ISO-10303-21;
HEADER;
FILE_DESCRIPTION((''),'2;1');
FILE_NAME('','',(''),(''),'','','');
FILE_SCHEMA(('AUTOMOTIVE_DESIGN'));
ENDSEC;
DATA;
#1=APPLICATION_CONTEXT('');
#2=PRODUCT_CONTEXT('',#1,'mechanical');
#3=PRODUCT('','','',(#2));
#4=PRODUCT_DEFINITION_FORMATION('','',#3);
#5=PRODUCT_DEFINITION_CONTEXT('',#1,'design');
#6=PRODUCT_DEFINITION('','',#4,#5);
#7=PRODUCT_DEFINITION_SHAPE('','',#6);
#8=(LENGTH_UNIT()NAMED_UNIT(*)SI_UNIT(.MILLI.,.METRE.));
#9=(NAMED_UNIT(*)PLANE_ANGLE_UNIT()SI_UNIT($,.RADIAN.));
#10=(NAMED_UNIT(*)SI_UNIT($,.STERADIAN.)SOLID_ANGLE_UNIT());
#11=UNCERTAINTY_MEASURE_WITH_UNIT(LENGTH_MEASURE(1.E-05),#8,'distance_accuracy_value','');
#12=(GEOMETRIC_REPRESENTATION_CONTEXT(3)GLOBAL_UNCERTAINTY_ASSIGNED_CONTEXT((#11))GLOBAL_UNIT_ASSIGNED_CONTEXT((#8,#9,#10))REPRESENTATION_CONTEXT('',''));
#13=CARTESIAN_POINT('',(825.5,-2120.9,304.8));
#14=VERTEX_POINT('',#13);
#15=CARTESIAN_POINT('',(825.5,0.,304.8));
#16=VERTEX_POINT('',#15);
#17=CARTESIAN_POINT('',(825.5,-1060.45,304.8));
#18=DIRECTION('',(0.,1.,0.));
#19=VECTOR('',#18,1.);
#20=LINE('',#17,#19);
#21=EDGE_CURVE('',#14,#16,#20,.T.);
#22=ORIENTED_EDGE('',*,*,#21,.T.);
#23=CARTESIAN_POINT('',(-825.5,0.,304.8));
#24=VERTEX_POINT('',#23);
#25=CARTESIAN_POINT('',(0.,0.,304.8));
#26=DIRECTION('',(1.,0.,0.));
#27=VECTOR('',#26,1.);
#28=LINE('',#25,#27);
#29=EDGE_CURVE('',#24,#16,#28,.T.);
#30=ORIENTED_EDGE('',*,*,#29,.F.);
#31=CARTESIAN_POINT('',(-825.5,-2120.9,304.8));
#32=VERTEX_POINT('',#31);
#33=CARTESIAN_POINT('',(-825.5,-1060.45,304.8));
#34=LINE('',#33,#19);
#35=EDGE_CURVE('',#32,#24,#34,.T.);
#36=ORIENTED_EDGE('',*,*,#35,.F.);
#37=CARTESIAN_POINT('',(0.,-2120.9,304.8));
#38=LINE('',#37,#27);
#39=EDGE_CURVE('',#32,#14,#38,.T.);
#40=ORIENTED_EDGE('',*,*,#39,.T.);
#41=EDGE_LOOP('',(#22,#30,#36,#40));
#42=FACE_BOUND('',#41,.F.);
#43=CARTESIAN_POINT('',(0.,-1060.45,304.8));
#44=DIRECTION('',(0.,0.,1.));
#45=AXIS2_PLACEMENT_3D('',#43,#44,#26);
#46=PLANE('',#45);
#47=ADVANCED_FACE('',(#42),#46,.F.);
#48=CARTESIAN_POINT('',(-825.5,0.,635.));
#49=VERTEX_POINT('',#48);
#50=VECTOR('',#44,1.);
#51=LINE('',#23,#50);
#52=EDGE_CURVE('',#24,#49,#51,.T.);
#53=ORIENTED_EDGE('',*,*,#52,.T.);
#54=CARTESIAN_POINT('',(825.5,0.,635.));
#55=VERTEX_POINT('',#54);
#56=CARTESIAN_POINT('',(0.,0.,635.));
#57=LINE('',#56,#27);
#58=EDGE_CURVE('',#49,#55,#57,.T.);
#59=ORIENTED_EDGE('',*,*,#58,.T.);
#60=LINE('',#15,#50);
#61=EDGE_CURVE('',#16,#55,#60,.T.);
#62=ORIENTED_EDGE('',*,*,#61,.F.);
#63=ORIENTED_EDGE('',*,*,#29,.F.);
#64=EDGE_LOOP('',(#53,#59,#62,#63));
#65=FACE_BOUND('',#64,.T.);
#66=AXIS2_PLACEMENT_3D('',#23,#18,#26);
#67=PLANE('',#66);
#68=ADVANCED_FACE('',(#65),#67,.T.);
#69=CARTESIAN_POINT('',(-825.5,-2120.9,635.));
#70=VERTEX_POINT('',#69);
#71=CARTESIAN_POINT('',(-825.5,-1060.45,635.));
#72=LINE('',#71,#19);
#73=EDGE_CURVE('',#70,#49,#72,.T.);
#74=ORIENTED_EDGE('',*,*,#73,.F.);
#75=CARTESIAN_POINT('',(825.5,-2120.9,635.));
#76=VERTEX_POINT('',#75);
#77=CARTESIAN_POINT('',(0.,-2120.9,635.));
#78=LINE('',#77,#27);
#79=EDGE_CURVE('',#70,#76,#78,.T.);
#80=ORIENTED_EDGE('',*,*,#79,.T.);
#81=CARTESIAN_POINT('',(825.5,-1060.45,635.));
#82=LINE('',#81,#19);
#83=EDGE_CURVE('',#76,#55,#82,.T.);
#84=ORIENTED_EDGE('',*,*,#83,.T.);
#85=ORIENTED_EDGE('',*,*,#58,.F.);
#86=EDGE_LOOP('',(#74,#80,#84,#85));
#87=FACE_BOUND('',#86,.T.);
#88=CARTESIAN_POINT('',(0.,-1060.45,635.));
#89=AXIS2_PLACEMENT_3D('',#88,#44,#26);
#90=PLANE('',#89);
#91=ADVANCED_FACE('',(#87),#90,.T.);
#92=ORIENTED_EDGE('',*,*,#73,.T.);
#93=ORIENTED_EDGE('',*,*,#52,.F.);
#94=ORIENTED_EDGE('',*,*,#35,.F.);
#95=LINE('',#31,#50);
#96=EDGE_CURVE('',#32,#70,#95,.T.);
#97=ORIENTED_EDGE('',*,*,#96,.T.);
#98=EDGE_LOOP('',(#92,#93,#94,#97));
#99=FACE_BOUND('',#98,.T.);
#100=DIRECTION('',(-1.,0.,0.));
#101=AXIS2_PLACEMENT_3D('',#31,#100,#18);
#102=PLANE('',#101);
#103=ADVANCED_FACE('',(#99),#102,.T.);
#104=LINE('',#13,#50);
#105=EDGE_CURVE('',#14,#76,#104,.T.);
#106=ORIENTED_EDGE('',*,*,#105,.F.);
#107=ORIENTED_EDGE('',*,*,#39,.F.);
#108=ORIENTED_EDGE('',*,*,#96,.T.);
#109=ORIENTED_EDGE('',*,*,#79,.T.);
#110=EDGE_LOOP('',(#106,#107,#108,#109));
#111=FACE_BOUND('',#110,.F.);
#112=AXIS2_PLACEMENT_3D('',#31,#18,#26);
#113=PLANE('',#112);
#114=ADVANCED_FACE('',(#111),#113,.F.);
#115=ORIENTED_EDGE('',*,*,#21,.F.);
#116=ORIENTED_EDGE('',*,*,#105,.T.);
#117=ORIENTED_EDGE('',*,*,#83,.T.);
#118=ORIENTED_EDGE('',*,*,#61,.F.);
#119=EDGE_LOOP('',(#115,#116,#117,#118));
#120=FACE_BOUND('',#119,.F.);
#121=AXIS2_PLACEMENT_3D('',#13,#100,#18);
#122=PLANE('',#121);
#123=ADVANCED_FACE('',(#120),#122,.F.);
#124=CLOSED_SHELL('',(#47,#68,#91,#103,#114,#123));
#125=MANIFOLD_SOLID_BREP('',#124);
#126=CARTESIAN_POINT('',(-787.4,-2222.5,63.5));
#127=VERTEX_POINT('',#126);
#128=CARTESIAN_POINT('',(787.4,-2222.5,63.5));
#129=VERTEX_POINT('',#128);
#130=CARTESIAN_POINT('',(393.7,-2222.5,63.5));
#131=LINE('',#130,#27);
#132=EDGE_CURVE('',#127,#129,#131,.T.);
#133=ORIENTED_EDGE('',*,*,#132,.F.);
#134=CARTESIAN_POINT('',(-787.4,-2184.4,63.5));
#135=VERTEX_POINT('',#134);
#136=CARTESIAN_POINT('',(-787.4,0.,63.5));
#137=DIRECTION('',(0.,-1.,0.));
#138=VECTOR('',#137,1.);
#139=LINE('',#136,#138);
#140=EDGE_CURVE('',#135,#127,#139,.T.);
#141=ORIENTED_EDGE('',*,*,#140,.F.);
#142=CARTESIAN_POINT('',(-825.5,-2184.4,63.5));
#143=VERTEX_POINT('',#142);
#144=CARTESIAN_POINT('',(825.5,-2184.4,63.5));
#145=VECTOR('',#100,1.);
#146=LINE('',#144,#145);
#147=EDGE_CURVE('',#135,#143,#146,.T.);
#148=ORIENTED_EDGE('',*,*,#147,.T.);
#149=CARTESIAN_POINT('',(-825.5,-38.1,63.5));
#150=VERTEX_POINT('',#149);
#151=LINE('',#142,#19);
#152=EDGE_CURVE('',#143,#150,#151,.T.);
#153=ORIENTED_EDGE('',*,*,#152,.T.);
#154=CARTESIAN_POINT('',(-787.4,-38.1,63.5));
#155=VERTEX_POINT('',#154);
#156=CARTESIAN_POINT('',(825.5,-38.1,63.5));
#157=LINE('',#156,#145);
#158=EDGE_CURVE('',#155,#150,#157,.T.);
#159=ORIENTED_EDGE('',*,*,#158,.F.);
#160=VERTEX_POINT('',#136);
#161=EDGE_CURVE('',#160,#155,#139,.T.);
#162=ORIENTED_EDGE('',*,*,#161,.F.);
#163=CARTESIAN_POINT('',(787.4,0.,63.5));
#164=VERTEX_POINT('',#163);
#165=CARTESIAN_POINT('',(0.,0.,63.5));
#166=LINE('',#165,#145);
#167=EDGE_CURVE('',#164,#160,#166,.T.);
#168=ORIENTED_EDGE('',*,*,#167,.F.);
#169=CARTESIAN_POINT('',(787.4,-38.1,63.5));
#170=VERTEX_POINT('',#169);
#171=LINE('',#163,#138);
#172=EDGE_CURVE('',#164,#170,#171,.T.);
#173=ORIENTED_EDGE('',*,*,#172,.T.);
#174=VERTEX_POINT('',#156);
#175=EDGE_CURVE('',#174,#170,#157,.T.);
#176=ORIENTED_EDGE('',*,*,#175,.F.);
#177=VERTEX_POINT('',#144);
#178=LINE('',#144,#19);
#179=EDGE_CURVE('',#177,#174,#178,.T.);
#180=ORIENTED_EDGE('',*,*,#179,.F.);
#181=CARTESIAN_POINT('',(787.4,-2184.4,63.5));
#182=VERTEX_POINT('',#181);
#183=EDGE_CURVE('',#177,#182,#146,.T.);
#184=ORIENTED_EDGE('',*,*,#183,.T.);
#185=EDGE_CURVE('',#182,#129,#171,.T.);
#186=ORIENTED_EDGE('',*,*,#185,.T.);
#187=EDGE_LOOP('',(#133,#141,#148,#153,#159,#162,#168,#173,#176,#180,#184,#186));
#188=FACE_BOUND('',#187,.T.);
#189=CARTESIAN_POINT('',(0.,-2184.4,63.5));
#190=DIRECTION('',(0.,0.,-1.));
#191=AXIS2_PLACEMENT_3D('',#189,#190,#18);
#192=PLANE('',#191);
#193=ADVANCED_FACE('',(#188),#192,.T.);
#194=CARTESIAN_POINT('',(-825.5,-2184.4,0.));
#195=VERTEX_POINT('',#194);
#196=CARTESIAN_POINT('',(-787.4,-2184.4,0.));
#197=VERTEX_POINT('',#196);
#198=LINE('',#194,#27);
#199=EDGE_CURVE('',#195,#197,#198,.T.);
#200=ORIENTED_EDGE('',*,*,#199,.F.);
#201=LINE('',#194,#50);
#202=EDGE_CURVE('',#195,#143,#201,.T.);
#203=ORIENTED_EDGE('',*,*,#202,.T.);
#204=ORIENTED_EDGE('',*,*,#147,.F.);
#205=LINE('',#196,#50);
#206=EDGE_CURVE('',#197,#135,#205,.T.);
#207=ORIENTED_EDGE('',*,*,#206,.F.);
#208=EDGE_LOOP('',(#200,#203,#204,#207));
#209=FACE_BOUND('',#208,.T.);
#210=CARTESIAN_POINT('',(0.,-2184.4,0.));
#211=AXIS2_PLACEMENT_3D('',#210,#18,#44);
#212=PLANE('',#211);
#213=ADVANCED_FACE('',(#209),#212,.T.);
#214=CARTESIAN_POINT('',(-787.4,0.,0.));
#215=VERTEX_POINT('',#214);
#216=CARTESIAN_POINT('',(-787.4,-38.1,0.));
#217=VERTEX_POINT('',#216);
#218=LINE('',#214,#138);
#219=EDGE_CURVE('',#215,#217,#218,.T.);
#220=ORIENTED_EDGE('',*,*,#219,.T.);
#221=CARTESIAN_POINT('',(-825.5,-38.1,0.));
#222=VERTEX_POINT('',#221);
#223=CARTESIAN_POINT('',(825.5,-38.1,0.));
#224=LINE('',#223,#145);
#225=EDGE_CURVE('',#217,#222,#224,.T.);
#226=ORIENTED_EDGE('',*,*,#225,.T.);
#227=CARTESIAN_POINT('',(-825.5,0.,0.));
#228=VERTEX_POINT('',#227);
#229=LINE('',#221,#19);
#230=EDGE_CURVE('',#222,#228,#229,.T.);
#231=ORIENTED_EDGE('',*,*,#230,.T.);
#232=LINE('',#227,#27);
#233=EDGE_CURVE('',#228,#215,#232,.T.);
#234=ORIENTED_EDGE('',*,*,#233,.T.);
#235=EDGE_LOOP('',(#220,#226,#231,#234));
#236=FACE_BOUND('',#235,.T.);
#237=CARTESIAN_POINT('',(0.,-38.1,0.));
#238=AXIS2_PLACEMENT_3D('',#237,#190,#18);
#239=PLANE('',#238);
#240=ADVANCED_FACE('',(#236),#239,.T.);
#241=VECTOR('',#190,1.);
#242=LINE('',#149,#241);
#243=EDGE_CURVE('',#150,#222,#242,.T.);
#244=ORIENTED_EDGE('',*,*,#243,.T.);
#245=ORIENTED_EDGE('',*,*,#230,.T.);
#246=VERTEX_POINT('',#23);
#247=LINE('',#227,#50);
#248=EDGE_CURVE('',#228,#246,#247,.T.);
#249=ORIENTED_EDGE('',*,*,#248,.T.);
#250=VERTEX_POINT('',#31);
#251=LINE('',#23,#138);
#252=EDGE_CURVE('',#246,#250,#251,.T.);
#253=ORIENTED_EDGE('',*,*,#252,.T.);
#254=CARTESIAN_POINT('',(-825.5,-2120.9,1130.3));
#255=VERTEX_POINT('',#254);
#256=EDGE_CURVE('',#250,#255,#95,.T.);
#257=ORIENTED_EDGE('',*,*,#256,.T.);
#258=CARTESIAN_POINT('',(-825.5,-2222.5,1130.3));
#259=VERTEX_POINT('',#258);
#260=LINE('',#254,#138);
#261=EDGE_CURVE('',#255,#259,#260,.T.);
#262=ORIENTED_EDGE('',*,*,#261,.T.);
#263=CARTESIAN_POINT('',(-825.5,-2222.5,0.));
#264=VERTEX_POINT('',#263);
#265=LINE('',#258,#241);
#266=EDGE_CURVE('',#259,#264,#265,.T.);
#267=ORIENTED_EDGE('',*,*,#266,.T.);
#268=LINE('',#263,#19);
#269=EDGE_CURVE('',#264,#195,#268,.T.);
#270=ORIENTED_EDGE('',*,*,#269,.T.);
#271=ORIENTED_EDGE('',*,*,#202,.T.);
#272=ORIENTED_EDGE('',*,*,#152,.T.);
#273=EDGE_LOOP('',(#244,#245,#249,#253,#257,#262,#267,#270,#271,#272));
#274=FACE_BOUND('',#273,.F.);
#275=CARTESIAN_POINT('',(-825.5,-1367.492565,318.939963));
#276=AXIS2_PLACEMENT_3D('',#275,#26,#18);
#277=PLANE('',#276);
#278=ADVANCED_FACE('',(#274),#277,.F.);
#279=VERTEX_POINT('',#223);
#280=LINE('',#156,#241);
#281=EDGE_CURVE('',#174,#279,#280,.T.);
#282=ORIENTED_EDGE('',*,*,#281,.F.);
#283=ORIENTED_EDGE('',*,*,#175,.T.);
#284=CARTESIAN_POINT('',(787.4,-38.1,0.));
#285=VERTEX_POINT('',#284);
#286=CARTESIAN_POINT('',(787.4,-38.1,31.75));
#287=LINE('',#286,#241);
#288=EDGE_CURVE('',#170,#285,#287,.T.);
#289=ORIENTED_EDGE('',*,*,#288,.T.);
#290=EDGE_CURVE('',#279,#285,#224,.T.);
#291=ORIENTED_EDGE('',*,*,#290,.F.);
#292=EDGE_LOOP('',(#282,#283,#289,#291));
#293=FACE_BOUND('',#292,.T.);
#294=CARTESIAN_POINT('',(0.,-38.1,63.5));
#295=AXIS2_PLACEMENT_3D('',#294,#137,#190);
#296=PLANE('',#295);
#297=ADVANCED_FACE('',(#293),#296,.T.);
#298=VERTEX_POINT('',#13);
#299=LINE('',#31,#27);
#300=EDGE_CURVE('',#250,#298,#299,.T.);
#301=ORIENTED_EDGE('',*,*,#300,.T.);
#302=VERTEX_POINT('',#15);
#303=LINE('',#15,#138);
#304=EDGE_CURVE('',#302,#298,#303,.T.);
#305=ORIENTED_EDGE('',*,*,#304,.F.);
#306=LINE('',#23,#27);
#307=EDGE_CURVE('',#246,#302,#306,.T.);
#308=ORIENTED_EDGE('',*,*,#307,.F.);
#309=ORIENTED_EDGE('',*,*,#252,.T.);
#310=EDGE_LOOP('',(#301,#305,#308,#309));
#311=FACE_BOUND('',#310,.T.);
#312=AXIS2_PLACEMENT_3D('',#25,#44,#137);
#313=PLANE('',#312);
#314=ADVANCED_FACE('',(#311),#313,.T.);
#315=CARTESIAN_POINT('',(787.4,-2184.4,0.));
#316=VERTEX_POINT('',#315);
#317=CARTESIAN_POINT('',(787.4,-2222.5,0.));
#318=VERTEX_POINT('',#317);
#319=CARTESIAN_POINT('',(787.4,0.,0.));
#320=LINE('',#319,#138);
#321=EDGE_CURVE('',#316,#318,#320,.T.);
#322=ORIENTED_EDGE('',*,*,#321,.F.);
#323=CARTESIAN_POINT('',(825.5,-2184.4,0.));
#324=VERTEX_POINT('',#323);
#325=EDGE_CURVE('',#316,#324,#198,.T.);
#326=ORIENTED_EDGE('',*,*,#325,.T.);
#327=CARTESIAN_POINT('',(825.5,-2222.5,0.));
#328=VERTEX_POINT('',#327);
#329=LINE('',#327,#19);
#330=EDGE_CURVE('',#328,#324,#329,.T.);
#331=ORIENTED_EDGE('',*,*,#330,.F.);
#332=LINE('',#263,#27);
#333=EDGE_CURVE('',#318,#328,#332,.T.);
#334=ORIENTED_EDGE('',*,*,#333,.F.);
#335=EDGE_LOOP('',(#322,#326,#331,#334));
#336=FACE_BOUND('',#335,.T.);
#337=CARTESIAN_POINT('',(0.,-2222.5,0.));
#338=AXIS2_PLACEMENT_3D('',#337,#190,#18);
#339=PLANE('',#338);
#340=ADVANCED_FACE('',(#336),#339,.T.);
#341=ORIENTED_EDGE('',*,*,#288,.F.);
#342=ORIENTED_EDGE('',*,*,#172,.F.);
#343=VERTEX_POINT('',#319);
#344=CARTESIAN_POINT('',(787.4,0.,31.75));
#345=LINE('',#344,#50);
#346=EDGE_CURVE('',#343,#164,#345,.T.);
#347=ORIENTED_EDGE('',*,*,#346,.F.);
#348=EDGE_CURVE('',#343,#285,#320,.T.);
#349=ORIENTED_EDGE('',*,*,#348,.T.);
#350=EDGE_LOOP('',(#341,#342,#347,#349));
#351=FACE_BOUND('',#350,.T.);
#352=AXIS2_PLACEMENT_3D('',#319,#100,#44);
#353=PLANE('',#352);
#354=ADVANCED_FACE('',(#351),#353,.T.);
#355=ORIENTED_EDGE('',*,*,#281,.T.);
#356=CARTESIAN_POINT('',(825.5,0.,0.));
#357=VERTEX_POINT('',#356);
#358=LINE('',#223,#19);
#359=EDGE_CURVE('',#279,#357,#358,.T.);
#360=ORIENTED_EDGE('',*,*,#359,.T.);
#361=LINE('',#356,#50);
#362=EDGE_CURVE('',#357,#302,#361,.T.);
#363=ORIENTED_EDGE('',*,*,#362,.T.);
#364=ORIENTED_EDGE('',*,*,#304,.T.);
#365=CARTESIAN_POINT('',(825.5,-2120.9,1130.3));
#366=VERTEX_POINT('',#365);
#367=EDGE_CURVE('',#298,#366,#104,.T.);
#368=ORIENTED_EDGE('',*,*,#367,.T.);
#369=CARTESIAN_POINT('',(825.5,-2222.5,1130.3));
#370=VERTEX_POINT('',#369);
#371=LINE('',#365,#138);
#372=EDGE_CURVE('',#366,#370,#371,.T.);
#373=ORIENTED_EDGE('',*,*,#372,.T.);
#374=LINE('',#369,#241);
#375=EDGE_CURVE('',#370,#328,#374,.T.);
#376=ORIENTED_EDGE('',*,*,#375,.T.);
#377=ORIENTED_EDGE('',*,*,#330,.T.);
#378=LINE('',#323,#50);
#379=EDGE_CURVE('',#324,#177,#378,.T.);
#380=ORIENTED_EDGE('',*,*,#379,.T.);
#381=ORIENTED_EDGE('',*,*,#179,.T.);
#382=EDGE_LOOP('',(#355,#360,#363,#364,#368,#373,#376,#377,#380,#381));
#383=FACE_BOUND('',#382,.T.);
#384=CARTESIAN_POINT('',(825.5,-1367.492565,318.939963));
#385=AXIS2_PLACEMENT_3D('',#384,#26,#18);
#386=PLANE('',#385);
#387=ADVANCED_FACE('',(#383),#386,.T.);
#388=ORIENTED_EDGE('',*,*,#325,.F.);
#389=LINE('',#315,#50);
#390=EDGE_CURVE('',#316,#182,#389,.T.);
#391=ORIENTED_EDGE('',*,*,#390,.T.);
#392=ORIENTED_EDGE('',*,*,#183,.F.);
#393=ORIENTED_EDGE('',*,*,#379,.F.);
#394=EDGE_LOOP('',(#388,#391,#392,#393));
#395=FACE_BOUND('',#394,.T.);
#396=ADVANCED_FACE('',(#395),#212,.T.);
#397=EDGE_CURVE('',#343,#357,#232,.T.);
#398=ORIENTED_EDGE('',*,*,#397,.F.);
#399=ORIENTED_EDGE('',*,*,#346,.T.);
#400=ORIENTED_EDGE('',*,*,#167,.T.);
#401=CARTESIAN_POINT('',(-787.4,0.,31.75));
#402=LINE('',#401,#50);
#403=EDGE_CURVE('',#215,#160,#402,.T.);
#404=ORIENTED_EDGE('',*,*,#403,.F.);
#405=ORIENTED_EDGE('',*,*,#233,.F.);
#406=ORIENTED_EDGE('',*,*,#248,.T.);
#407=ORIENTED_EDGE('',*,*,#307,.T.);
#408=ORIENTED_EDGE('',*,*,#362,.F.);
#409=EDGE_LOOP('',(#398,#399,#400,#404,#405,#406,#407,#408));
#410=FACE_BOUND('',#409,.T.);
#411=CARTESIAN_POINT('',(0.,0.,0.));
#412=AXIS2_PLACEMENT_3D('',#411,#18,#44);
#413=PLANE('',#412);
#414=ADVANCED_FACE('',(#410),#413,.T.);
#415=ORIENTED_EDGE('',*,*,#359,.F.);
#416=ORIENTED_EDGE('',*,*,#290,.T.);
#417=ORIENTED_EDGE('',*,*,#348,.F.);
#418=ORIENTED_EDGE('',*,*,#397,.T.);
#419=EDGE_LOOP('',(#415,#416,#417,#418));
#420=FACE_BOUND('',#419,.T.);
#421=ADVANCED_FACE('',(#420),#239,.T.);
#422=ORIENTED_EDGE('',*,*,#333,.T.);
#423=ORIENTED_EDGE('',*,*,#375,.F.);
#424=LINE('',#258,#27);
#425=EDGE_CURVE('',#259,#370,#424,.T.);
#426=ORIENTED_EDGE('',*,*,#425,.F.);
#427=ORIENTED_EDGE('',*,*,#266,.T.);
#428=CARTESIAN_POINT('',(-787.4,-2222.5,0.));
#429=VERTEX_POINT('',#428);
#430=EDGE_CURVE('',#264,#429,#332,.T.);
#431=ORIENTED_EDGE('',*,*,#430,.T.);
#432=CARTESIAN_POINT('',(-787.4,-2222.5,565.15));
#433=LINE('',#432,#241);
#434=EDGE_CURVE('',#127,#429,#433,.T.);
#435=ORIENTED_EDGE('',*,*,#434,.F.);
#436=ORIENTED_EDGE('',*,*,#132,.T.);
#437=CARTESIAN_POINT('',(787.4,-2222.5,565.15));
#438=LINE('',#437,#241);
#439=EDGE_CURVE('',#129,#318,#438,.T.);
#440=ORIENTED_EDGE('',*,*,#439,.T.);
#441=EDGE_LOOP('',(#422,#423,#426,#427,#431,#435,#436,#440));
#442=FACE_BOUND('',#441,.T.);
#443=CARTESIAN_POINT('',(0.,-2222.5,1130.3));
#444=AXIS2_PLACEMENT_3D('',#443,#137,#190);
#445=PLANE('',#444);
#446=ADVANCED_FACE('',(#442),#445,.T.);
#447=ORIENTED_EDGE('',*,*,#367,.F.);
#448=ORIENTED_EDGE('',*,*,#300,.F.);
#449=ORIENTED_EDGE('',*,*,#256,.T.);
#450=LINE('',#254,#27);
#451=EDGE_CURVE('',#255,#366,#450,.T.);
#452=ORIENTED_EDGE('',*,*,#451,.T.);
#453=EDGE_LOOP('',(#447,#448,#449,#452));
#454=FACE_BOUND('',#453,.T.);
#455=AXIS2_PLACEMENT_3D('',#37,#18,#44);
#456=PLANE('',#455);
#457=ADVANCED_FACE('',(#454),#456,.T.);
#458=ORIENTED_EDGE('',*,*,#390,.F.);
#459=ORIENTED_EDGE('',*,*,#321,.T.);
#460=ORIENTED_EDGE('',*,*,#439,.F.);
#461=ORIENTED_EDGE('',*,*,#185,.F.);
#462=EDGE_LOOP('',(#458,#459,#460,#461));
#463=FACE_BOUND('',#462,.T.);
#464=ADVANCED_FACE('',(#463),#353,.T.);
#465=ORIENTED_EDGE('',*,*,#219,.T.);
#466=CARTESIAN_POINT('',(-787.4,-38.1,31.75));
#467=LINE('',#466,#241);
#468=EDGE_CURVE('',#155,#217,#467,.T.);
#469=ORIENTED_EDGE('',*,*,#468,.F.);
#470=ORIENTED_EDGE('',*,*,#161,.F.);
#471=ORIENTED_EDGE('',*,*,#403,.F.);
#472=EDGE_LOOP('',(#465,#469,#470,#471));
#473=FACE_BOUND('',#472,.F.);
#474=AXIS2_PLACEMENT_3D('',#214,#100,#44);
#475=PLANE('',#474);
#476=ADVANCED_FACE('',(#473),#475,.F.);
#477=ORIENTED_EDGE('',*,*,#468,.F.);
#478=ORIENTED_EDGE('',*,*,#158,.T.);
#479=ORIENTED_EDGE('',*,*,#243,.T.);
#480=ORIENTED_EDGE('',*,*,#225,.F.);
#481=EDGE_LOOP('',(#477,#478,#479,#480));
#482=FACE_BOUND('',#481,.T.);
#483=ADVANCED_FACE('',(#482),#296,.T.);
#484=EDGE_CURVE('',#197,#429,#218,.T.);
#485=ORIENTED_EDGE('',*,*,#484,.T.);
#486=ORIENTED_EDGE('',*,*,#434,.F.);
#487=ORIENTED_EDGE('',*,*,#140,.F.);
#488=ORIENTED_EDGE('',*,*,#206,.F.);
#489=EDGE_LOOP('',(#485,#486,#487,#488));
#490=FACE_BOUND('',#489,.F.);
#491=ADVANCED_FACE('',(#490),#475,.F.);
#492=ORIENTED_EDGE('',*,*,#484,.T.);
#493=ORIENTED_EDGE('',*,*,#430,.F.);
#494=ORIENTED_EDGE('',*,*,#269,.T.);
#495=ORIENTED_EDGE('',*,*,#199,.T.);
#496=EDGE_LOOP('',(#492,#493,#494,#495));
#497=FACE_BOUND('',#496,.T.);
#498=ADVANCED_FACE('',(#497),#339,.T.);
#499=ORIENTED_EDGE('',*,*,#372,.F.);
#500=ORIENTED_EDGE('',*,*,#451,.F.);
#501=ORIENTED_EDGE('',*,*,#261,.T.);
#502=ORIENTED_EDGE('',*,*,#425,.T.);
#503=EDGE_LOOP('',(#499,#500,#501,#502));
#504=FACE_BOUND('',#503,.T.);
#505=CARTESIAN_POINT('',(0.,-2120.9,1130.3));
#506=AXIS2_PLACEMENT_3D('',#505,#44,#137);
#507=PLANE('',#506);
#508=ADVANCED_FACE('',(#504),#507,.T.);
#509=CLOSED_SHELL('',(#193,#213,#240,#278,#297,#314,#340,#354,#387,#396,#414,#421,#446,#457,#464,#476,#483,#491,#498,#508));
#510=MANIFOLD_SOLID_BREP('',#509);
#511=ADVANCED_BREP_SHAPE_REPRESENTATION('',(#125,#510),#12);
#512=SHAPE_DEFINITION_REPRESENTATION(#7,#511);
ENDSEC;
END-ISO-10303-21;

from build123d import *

# Parameters (mm, degrees)
F1_DEPTH = 825.5
F2_W     = 1574.8
F2_H     = 63.5
F3_DEPTH = 2222.501
F4_W     = 1651
F4_H     = 2120.9
F5_DEPTH = 330.2


with BuildPart() as f1:
    # F0 (on Right) → F1 (new body, symmetric)
    with BuildSketch(Plane.YZ):
        Polygon((-38.1, 0), (0, 0), (0, 304.8), (-2120.9, 304.8), (-2120.9, 1130.3), (-2222.5, 1130.3), (-2222.5, 0), (-2184.4, 0), (-2184.4, 63.5), (-38.1, 63.5), align=None)
    extrude(amount=F1_DEPTH, both=True)

    # F2 (on face) → F3 (cut, through all)
    with BuildSketch(Plane(origin=(0, 0, 0), x_dir=(-1, 0, 0), z_dir=(0, 1, 0))):
        with Locations((0, 31.75)):
            Rectangle(F2_W, F2_H)
    extrude(amount=-F3_DEPTH, mode=Mode.SUBTRACT)


with BuildPart() as f5:
    # F4 (on face) → F5 (new body)
    with BuildSketch(Plane.XY.offset(304.8)):
        with Locations((0, -1060.45)):
            Rectangle(F4_W, F4_H)
    extrude(amount=F5_DEPTH)


solid = Compound([f1.part, f5.part])
